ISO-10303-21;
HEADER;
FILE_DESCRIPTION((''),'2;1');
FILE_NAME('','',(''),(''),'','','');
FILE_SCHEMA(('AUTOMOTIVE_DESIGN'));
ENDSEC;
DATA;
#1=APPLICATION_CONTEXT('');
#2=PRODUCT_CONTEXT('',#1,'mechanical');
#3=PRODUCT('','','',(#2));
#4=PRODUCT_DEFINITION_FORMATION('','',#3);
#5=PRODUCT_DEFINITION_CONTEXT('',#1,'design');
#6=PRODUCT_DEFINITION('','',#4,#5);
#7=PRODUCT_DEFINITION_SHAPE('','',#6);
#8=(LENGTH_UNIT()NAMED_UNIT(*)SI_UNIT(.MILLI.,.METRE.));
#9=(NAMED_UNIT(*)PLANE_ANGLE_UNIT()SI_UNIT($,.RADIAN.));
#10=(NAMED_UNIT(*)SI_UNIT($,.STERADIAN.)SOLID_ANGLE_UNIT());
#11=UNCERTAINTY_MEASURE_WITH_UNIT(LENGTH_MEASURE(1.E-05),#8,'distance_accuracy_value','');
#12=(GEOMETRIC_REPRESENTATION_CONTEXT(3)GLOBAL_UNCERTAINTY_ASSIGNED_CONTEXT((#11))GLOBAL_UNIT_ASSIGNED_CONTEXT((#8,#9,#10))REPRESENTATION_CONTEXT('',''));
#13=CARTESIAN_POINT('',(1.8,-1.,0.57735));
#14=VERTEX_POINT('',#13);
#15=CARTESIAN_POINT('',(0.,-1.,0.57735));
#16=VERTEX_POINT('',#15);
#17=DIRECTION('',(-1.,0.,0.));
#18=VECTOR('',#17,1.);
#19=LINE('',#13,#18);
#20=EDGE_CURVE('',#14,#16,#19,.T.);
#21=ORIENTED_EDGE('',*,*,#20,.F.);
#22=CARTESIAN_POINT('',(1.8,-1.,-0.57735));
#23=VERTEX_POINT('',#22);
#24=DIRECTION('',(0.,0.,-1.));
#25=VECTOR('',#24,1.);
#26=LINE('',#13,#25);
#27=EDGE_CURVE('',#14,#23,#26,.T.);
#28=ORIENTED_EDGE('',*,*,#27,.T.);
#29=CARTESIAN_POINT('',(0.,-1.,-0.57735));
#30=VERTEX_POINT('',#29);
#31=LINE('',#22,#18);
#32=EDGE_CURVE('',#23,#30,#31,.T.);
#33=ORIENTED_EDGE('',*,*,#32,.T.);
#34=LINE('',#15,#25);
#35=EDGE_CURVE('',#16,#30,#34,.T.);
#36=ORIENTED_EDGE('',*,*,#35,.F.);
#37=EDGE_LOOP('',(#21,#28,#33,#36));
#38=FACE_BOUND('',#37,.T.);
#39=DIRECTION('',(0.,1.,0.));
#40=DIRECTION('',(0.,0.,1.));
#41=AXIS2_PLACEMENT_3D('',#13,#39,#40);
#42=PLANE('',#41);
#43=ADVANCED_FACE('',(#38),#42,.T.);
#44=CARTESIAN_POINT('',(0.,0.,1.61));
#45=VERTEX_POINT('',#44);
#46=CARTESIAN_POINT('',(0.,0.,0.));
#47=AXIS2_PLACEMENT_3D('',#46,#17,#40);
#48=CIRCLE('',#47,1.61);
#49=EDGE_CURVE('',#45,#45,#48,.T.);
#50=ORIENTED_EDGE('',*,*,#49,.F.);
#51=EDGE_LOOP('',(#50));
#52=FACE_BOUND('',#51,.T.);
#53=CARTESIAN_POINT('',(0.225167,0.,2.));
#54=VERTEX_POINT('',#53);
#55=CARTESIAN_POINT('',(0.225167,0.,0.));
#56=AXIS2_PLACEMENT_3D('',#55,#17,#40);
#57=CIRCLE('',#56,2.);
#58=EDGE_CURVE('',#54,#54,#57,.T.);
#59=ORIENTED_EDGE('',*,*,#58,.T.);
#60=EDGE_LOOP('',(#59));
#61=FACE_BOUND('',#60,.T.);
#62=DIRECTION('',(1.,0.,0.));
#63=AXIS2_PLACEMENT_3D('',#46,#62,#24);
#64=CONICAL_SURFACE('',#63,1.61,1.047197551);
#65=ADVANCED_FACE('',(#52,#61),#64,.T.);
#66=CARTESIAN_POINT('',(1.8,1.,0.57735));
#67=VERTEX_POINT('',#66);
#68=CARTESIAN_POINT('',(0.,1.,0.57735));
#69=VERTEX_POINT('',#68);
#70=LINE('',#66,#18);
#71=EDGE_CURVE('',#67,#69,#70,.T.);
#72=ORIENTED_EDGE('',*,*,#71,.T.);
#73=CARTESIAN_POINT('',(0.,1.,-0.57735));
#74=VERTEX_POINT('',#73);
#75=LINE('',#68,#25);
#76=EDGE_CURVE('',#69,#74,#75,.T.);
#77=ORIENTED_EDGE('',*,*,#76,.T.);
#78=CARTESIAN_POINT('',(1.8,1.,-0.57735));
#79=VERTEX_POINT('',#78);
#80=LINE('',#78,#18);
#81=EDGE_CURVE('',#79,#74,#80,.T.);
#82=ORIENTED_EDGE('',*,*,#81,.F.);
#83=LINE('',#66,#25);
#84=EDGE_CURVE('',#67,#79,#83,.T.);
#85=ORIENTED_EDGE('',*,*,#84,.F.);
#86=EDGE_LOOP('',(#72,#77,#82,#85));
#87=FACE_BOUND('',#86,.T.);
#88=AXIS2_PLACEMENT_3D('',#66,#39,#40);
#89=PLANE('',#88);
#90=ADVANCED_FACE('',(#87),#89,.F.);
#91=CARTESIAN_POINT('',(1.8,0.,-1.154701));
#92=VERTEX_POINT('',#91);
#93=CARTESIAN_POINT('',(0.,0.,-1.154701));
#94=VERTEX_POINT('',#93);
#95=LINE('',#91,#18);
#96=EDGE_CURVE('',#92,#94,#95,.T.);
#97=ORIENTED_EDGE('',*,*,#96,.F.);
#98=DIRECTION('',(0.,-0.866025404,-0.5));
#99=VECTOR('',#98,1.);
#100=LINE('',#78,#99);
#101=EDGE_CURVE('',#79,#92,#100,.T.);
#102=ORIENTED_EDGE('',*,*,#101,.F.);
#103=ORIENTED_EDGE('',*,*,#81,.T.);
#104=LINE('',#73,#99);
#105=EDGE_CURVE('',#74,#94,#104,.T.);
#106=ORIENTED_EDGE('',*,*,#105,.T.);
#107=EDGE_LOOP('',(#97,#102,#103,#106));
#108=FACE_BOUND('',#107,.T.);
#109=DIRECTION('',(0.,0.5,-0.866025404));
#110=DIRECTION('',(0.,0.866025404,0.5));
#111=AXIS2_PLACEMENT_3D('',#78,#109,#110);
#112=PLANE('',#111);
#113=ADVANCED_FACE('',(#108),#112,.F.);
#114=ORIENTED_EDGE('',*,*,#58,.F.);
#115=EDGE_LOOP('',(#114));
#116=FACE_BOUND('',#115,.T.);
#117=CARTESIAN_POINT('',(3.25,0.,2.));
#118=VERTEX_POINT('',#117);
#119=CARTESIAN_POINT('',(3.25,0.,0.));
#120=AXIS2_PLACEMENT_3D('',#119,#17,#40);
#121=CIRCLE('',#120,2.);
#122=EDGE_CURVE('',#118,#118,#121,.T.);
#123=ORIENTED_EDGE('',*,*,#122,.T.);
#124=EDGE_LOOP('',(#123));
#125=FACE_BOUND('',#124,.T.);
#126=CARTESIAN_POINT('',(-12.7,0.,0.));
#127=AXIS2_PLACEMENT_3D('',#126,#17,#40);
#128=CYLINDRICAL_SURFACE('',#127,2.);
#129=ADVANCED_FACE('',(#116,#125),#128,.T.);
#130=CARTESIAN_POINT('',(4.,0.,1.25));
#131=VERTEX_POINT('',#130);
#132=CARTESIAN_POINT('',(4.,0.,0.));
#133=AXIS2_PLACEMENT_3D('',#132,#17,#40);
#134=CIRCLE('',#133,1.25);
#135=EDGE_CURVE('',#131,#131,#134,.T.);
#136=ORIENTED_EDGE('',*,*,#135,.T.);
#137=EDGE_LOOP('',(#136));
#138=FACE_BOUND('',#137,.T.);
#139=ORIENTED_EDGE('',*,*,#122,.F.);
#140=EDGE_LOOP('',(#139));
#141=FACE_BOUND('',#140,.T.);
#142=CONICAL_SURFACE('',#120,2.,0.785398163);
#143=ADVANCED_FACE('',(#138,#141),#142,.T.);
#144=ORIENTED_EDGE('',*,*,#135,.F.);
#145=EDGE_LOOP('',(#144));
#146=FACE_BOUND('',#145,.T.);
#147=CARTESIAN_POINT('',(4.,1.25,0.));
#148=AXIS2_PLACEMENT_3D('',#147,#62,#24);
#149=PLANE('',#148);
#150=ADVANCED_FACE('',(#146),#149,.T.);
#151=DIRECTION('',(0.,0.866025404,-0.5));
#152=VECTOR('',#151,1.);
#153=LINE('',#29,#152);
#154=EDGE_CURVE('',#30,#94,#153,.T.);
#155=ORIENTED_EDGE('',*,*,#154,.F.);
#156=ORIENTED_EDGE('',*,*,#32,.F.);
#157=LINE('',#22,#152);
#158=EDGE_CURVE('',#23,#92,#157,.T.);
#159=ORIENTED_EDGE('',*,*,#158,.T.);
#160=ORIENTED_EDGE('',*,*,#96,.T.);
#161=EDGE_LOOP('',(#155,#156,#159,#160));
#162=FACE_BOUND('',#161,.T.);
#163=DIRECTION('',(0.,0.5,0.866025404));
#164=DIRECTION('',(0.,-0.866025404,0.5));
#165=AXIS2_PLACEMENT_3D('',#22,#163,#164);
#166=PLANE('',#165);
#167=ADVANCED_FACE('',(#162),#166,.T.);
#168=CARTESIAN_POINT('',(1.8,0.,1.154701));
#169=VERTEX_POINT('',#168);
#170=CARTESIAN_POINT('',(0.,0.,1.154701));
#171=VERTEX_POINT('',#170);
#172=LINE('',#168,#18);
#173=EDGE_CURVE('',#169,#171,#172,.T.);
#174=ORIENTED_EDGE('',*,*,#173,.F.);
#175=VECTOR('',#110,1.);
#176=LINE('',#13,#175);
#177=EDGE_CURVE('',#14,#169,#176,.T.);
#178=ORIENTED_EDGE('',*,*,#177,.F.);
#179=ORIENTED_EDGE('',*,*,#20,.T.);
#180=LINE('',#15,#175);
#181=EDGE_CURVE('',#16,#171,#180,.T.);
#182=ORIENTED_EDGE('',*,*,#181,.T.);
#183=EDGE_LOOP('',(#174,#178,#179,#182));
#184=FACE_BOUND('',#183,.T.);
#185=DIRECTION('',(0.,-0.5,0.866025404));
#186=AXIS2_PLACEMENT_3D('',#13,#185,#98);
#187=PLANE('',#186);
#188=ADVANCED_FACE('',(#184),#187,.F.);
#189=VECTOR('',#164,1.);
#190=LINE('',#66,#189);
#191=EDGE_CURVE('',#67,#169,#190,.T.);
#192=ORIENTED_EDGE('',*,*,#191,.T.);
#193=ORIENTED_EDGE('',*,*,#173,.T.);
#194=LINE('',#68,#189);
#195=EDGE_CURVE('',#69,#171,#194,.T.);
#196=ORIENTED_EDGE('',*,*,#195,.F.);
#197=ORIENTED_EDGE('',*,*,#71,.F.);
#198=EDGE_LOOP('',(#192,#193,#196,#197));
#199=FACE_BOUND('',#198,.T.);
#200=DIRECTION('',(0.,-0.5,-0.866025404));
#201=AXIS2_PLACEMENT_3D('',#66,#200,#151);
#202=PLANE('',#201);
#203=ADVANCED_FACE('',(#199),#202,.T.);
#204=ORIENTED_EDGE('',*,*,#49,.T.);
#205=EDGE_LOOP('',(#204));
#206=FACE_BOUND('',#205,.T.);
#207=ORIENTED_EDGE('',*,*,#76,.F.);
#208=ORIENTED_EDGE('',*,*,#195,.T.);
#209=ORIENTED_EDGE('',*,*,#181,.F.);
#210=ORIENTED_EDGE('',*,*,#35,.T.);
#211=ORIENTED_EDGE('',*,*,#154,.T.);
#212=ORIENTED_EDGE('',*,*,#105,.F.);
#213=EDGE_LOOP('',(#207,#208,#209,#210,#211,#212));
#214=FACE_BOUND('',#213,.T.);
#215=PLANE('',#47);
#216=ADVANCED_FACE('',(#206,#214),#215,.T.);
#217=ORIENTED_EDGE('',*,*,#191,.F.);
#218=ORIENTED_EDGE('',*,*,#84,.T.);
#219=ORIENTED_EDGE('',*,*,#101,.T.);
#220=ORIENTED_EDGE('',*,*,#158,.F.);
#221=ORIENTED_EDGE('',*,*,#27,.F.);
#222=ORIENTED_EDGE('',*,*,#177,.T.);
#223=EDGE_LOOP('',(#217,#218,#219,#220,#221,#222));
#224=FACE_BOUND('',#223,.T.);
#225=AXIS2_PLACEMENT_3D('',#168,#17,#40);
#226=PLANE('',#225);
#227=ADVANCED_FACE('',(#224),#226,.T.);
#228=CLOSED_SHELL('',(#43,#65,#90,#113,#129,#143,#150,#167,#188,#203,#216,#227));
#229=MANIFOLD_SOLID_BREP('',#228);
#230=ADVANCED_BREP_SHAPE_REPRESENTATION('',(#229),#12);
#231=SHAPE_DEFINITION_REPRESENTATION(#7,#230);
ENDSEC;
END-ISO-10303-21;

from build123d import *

# Parameters (mm, degrees)
HEX_2_DEPTH = 1.8


with BuildPart() as part:
    # BodySke → BaseBody (revolve)
    with BuildSketch(Plane.XY, mode=Mode.PRIVATE) as basebody_sk:
        Polygon((0, 0), (0, 1.61), (0.225166605, 2), (3.25, 2), (4, 1.25), (4, 0), align=None)
    revolve(basebody_sk.sketch.rotate(Axis((-12.7, 0, 0), (1, 0, 0)), 90), axis=Axis((-12.7, 0, 0), (1, 0, 0)))

    # Sketch2 → Hex 2 (cut)
    with BuildSketch(Plane.ZY):
        Polygon((0.577350269, 1), (-0.577350269, 1), (-1.154700538, 0), (-0.577350269, -1), (0.577350269, -1), (1.154700538, 0), align=None)
    extrude(amount=-HEX_2_DEPTH, mode=Mode.SUBTRACT)


solid = part.part
